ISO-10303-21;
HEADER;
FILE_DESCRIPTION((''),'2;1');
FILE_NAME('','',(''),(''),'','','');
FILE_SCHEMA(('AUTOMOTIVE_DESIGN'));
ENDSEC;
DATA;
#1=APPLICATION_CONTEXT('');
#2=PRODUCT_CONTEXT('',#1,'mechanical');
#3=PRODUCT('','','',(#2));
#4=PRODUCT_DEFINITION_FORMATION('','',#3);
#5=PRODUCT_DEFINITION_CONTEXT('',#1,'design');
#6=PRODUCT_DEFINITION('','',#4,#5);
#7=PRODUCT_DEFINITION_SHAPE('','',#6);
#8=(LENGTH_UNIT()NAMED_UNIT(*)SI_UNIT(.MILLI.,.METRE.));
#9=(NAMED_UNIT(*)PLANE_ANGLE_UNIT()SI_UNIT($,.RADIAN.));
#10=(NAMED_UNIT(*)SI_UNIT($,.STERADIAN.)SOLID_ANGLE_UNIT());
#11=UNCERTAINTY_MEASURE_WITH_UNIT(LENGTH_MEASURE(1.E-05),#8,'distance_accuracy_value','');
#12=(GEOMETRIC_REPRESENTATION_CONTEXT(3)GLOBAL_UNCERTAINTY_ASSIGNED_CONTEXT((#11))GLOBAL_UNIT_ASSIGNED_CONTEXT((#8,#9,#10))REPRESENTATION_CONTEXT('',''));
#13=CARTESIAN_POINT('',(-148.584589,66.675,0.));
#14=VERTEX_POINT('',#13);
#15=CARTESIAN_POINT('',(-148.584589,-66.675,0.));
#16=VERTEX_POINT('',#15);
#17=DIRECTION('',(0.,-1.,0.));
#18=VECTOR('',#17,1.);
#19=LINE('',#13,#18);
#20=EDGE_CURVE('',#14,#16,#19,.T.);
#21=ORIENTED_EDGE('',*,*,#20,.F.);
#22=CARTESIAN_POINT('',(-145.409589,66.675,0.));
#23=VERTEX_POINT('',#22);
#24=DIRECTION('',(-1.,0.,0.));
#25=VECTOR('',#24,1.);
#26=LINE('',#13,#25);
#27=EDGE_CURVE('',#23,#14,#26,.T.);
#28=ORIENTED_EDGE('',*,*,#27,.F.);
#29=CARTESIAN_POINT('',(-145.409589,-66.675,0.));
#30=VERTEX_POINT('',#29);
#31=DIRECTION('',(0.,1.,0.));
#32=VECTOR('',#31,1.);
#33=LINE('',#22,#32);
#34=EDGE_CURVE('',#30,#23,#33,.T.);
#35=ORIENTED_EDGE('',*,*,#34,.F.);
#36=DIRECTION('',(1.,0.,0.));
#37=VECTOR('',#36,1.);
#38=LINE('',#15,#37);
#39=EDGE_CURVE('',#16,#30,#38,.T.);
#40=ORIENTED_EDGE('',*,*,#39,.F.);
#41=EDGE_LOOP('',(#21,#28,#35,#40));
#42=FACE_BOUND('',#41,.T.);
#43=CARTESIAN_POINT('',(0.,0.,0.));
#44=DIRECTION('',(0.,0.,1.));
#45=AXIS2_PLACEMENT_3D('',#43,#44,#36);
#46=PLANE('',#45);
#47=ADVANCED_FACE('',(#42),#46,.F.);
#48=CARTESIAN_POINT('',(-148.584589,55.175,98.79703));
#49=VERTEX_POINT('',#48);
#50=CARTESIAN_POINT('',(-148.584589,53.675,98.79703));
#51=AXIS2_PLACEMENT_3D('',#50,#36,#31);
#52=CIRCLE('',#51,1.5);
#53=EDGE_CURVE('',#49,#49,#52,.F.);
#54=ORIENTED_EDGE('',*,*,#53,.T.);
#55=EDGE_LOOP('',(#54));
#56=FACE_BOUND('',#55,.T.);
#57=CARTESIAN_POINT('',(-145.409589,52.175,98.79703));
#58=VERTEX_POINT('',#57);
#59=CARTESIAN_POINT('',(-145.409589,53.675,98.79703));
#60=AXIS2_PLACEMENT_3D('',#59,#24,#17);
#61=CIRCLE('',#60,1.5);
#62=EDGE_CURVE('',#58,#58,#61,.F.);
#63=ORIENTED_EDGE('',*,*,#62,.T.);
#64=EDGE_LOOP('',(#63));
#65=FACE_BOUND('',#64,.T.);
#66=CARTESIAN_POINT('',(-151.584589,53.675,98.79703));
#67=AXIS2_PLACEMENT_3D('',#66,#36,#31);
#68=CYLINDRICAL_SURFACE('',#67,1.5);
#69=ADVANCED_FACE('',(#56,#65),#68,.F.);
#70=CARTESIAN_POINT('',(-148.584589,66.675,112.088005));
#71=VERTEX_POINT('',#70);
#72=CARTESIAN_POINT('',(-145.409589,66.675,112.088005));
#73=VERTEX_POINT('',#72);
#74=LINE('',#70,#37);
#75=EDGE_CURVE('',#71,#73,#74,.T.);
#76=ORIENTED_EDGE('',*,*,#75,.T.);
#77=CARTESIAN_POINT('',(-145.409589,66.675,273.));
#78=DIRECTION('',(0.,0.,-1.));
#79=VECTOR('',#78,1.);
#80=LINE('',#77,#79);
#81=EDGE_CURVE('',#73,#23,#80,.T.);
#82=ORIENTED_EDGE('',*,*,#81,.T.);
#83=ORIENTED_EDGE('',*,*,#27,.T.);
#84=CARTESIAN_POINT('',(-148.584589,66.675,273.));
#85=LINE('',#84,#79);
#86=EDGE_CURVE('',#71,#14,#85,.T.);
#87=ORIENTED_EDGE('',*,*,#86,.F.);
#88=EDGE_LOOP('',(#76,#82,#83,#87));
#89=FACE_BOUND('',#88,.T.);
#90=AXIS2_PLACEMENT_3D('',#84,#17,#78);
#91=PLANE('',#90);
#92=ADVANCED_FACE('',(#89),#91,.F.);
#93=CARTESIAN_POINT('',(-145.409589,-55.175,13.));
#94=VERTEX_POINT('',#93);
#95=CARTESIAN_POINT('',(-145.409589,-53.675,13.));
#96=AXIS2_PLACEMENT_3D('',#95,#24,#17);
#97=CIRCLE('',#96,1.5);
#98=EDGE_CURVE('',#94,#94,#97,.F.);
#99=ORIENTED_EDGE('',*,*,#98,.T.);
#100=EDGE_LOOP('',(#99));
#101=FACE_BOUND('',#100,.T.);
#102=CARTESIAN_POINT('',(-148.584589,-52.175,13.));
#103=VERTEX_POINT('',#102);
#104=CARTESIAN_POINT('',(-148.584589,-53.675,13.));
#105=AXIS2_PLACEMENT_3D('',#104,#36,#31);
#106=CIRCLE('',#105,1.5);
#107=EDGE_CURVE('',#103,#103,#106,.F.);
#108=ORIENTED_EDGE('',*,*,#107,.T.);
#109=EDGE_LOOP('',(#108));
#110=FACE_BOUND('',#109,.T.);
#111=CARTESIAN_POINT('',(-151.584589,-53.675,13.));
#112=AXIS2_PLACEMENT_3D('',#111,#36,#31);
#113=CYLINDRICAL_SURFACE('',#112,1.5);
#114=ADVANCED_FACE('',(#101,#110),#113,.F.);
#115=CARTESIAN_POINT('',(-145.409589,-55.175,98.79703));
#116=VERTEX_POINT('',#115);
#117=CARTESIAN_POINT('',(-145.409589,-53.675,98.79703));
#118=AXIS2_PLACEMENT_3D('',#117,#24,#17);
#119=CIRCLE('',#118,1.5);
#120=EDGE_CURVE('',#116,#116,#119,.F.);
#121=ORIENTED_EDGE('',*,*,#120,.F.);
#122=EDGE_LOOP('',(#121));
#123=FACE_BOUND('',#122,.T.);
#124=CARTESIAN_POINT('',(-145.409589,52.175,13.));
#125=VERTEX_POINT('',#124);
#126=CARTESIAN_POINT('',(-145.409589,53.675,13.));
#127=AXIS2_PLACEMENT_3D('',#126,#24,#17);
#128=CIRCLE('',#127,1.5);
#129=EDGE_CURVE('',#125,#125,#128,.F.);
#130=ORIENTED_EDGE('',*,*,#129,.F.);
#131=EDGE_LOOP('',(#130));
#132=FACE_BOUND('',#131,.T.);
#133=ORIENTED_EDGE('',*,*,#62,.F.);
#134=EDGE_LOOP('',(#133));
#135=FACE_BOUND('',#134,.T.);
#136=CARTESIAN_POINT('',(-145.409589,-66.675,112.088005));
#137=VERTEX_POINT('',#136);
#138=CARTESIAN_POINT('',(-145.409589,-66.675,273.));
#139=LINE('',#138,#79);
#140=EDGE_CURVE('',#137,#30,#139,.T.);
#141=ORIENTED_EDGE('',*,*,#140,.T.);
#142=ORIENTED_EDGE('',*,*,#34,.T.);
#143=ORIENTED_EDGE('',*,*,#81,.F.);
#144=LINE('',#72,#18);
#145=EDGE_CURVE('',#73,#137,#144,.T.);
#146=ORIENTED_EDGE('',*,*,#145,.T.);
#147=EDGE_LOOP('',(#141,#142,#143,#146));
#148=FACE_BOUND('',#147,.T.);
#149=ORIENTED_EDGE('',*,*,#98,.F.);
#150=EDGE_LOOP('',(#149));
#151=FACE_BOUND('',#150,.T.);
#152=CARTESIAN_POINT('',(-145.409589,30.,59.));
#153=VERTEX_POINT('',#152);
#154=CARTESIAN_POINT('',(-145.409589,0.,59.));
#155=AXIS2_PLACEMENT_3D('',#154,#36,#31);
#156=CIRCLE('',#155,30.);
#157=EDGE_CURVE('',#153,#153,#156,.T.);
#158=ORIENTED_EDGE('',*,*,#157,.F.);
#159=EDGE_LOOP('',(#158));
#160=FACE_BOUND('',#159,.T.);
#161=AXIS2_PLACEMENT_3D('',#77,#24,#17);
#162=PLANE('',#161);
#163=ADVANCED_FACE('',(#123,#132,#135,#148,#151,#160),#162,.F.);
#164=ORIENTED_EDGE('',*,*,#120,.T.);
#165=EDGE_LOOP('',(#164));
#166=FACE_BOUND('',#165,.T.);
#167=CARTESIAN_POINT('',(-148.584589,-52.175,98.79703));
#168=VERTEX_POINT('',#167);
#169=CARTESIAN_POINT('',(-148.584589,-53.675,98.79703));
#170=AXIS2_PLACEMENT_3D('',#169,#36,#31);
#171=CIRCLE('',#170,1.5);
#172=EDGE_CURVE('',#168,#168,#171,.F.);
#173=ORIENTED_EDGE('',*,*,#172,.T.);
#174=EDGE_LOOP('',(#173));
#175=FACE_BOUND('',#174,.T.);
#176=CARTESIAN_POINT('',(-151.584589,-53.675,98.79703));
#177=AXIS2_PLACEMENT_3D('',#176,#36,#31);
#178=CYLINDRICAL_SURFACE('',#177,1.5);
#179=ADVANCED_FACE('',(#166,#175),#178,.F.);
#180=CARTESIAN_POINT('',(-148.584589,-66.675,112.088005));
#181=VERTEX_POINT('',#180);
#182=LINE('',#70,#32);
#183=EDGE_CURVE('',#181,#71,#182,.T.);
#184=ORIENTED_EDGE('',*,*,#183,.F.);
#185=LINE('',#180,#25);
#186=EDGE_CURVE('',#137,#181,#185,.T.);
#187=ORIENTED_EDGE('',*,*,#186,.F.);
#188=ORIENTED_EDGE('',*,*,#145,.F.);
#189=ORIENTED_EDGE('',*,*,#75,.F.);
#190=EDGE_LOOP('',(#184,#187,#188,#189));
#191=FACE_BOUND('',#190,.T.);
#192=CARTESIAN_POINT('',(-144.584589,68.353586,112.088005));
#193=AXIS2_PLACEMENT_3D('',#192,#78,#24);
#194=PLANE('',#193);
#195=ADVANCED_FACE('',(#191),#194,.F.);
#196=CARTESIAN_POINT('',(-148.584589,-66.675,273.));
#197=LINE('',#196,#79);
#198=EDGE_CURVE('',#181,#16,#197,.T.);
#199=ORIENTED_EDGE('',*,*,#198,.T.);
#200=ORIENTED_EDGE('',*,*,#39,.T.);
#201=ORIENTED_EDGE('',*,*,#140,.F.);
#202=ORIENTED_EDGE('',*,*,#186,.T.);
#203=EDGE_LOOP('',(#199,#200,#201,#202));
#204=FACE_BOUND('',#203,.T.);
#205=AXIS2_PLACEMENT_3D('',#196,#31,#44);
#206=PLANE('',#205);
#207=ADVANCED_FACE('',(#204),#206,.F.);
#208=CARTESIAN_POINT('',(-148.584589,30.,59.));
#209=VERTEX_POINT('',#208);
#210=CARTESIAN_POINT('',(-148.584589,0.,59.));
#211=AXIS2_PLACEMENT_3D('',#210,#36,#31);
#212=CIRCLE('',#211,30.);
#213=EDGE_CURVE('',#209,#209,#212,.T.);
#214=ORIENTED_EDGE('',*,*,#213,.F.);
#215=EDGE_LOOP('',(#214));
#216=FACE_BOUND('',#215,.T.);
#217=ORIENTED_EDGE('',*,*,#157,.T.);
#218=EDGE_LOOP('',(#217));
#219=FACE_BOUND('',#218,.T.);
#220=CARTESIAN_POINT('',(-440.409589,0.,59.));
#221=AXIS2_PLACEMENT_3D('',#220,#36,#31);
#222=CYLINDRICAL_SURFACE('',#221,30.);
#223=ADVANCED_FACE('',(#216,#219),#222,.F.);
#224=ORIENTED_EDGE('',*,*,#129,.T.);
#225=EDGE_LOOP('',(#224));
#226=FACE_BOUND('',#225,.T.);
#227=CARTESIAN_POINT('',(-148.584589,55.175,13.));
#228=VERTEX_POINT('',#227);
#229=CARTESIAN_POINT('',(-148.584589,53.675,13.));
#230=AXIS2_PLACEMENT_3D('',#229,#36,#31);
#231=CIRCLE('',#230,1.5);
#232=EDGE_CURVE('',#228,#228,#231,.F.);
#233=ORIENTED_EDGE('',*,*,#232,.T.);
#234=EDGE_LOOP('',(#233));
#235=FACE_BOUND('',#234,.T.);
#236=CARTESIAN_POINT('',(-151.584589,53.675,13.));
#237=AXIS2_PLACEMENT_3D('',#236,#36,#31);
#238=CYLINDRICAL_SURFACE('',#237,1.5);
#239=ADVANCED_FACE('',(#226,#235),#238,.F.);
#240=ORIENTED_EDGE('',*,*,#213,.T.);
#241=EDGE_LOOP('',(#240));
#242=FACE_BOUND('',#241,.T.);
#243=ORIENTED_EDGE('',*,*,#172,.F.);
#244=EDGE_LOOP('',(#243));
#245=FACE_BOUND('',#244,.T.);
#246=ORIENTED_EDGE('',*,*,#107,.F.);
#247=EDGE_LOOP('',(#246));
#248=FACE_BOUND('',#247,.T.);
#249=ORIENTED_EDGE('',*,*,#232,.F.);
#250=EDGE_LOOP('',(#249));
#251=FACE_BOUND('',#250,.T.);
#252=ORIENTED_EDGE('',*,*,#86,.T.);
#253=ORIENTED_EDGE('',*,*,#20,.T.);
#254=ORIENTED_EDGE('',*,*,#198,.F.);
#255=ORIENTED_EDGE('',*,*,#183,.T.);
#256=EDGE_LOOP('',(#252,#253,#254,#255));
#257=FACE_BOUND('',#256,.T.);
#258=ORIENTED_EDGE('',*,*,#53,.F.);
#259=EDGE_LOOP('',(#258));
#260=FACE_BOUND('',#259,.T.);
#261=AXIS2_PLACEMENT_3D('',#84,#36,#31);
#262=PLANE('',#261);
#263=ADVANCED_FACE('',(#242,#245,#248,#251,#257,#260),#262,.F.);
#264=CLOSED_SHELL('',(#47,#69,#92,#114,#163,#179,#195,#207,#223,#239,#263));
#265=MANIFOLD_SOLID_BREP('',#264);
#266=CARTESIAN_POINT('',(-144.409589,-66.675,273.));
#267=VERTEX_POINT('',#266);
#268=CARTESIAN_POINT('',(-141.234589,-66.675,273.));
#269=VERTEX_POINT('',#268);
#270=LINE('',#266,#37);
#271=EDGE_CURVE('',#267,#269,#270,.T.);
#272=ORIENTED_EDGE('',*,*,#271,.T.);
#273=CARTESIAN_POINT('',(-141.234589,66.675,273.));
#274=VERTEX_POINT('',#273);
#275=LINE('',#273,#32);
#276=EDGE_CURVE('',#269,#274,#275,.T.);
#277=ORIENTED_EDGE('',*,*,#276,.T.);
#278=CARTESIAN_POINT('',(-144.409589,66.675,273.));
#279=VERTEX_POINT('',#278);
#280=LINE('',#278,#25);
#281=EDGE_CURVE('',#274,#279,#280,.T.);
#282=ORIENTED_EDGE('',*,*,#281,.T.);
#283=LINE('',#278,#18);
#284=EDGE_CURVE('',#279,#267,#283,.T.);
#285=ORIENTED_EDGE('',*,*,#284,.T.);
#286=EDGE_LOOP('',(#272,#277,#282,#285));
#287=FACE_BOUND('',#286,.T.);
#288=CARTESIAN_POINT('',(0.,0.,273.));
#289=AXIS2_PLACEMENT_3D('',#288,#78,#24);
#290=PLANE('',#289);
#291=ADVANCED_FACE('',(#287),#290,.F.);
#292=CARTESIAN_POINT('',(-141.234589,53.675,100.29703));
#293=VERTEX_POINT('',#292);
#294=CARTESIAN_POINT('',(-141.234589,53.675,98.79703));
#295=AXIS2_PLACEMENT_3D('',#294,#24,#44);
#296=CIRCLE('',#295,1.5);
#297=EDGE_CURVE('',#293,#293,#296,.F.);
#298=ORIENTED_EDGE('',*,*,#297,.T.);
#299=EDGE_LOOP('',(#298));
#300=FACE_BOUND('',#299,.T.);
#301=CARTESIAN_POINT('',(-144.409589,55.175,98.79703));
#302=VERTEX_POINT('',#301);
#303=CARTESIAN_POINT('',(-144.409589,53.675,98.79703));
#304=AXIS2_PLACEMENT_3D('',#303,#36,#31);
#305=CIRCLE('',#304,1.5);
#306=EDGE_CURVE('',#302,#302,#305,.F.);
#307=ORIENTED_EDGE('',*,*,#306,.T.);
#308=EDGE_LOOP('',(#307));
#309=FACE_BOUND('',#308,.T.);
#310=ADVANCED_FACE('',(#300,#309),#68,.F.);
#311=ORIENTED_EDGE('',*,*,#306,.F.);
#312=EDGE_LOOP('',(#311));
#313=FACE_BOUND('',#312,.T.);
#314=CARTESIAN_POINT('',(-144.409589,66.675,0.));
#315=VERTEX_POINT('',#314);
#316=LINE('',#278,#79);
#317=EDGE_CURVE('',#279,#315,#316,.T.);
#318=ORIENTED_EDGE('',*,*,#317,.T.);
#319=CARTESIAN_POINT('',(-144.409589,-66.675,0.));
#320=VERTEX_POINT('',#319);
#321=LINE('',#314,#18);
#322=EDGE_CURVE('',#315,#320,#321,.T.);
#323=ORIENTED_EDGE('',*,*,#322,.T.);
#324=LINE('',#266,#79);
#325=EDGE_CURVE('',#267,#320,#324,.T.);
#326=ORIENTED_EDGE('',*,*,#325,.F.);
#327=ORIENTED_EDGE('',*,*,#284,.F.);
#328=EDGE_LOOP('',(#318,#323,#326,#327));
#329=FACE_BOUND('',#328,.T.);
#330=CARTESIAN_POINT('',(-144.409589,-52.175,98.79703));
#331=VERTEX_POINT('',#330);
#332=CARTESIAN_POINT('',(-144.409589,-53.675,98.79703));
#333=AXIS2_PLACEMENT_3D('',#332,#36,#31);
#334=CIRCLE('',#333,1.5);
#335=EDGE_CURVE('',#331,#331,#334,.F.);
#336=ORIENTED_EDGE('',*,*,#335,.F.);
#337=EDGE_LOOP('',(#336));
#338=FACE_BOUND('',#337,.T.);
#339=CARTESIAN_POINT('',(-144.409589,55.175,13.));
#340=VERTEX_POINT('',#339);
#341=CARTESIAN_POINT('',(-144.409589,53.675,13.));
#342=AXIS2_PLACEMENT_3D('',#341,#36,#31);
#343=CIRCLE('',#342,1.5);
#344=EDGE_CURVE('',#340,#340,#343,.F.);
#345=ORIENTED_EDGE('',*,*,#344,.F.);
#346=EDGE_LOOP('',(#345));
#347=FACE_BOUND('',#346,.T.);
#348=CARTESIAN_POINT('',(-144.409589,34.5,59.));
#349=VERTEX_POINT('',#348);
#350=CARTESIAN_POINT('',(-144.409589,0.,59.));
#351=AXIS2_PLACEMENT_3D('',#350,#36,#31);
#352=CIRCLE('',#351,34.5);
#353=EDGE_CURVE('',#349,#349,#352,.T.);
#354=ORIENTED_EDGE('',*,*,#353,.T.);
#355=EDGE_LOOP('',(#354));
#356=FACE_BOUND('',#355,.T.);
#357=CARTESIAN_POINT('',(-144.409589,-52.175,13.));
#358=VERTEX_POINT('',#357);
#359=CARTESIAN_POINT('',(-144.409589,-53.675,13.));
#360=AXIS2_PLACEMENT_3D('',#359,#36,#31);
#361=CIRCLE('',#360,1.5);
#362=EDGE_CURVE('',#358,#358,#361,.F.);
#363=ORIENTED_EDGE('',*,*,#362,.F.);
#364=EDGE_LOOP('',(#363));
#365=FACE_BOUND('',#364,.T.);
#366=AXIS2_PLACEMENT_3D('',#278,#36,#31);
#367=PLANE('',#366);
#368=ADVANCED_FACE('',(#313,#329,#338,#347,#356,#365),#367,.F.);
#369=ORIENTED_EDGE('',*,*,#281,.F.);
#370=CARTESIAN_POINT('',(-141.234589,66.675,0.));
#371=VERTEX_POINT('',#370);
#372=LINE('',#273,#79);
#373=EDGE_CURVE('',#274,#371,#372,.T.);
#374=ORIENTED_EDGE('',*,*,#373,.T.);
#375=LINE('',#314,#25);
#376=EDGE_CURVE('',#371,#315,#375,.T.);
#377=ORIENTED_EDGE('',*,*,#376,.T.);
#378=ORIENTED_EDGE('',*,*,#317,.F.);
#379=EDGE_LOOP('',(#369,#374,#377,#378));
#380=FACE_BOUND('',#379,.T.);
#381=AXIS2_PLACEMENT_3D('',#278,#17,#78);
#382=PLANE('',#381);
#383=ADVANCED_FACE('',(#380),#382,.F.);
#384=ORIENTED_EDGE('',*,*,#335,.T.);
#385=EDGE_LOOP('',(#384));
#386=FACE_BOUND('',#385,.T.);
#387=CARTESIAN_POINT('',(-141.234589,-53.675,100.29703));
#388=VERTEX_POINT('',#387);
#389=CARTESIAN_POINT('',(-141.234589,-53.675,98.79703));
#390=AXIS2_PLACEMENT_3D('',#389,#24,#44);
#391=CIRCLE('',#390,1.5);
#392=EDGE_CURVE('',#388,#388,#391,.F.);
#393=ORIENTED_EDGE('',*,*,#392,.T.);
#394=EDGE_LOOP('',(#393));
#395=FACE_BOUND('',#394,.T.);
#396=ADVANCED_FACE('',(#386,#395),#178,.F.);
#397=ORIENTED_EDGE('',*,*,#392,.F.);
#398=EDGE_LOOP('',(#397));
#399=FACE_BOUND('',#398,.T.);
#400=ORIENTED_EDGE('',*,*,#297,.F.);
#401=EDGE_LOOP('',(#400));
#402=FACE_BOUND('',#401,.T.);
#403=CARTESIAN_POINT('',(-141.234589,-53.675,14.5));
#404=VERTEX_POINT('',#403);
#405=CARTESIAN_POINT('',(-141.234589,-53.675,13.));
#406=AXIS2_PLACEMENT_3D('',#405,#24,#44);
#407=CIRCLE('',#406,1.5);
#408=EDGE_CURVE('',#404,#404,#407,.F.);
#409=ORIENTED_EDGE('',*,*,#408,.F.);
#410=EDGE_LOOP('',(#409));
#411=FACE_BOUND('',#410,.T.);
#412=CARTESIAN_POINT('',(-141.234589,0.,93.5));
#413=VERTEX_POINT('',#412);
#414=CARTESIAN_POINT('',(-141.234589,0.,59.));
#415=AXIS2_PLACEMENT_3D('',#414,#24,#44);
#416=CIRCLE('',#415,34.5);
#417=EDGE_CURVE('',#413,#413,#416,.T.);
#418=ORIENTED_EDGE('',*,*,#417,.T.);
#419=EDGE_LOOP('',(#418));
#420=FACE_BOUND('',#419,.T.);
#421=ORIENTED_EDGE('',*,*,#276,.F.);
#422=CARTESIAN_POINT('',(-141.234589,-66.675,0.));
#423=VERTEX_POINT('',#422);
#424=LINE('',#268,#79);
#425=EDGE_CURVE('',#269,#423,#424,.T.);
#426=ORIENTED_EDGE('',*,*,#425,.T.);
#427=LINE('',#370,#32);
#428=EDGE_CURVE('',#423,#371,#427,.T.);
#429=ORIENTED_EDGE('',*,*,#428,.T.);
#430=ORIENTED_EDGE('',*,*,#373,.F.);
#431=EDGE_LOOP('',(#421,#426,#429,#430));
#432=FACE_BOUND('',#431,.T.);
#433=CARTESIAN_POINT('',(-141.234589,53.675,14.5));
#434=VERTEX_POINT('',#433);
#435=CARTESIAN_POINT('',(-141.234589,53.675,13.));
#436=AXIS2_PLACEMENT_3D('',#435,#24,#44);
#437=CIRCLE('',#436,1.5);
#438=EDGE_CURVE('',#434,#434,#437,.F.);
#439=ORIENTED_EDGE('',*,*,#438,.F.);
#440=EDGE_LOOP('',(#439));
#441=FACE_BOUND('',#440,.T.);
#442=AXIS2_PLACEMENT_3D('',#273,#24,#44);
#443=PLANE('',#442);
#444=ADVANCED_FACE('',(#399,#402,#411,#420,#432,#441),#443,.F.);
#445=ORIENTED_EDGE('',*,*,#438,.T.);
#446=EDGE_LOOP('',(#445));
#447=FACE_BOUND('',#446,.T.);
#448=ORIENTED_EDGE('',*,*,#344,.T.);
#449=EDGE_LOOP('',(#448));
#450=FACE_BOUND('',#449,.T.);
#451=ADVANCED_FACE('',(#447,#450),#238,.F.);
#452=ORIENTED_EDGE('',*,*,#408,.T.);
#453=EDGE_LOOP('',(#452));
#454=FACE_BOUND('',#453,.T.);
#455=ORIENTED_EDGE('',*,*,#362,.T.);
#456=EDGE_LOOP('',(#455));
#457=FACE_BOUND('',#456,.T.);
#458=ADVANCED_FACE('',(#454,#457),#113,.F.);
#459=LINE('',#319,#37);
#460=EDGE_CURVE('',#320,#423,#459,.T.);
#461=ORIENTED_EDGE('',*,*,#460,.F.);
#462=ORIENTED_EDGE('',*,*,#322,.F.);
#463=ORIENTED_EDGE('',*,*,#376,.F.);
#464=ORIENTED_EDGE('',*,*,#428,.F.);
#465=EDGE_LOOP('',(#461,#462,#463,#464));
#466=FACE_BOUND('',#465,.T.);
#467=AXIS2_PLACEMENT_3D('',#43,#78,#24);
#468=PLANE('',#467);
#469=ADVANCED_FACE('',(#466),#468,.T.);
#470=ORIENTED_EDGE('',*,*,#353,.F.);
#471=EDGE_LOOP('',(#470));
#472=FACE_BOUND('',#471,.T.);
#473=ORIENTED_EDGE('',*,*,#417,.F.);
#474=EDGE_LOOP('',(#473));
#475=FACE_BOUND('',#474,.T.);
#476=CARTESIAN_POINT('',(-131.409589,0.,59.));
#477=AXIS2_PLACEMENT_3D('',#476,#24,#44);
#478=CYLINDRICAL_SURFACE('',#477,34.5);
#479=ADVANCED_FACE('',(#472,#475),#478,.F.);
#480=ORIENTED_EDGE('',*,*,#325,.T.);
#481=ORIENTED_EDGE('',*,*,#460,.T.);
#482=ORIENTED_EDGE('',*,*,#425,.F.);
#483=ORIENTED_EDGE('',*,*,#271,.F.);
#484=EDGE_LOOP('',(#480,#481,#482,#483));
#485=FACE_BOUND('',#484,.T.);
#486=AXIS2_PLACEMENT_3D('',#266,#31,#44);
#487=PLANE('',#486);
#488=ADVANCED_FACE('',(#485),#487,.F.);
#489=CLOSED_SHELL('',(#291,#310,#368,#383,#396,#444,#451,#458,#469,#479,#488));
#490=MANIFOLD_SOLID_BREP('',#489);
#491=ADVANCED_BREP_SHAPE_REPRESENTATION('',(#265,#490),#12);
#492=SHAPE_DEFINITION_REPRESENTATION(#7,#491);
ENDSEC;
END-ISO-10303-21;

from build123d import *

# Parameters (mm, degrees)
SKETCH1_W               = 3.175
SKETCH1_H               = 133.35
BOSS_EXTRUDE1_DEPTH     = 273
BOSS_EXTRUDE1_2_DEPTH   = 273
SKETCH3_R               = 30
CUT_EXTRUDE2_DEPTH      = 295
SKETCH2_R               = 34.5
CUT_EXTRUDE3_DEPTH      = 100
CUT_EXTRUDE3_DEPTH_BACK = 13
SKETCH4_R               = 1.5
CUT_EXTRUDE4_DEPTH      = 3
CUT_EXTRUDE4_DEPTH_BACK = 63
SKETCH5_W               = 164.64534511
SKETCH5_H               = 137.520906048
CUT_EXTRUDE5_DEPTH      = 11
CUT_EXTRUDE5_DEPTH_BACK = 4


with BuildPart() as part:
    # Sketch1 → Boss-Extrude1 (new body)
    with BuildSketch(Plane.XY):
        with Locations((-142.822089486, 0)):
            Rectangle(SKETCH1_W, SKETCH1_H)
    extrude(amount=BOSS_EXTRUDE1_DEPTH)

    # Sketch2 → Cut-Extrude3 (cut, two sides)
    with BuildSketch(Plane.ZY.offset(144.409589486)) as cut_extrude3_sk:
        with Locations((59, 0)):
            Circle(SKETCH2_R)
    extrude(amount=CUT_EXTRUDE3_DEPTH, mode=Mode.SUBTRACT)
    extrude(cut_extrude3_sk.sketch, amount=-CUT_EXTRUDE3_DEPTH_BACK, mode=Mode.SUBTRACT)


with BuildPart() as body_2:
    # Sketch1 → Boss-Extrude1 2 (new body)
    with BuildSketch(Plane.XY):
        with Locations((-146.997089486, 0)):
            Rectangle(SKETCH1_W, SKETCH1_H)
    extrude(amount=BOSS_EXTRUDE1_2_DEPTH)

    # Sketch3 → Cut-Extrude2 (cut)
    with BuildSketch(Plane(origin=(-145.409589486, 0, 0), x_dir=(0, 0, -1), z_dir=(1, 0, 0))):
        with Locations((-59, 0)):
            Circle(SKETCH3_R)
    extrude(amount=-CUT_EXTRUDE2_DEPTH, mode=Mode.SUBTRACT)


with BuildPart() as cut_extrude4_tool:
    # Sketch4 → Cut-Extrude4 (new body, two sides)
    with BuildSketch(Plane.ZY.offset(148.584589486)) as cut_extrude4_sk:
        with Locations((13, -53.675)):
            Circle(SKETCH4_R)
        with Locations((13, 53.675)):
            Circle(SKETCH4_R)
        with Locations((98.797029703, -53.675)):
            Circle(SKETCH4_R)
        with Locations((98.797029703, 53.675)):
            Circle(SKETCH4_R)
    extrude(amount=CUT_EXTRUDE4_DEPTH)
    extrude(cut_extrude4_sk.sketch, amount=-CUT_EXTRUDE4_DEPTH_BACK)


with BuildPart() as part_1:
    add(part.part)

    # Cut-Extrude4: cut by cut_extrude4_tool
    add(cut_extrude4_tool.part, mode=Mode.SUBTRACT)


with BuildPart() as body_2_1:
    add(body_2.part)

    # Cut-Extrude4: cut by cut_extrude4_tool
    add(cut_extrude4_tool.part, mode=Mode.SUBTRACT)

    # Sketch5 → Cut-Extrude5 (cut, two sides)
    with BuildSketch(Plane.ZY.offset(148.584589486)) as cut_extrude5_sk:
        with Locations((194.410677399, -0.406866586)):
            Rectangle(SKETCH5_W, SKETCH5_H)
    extrude(amount=CUT_EXTRUDE5_DEPTH, mode=Mode.SUBTRACT)
    extrude(cut_extrude5_sk.sketch, amount=-CUT_EXTRUDE5_DEPTH_BACK, mode=Mode.SUBTRACT)


solid = Compound([part_1.part, body_2_1.part])
